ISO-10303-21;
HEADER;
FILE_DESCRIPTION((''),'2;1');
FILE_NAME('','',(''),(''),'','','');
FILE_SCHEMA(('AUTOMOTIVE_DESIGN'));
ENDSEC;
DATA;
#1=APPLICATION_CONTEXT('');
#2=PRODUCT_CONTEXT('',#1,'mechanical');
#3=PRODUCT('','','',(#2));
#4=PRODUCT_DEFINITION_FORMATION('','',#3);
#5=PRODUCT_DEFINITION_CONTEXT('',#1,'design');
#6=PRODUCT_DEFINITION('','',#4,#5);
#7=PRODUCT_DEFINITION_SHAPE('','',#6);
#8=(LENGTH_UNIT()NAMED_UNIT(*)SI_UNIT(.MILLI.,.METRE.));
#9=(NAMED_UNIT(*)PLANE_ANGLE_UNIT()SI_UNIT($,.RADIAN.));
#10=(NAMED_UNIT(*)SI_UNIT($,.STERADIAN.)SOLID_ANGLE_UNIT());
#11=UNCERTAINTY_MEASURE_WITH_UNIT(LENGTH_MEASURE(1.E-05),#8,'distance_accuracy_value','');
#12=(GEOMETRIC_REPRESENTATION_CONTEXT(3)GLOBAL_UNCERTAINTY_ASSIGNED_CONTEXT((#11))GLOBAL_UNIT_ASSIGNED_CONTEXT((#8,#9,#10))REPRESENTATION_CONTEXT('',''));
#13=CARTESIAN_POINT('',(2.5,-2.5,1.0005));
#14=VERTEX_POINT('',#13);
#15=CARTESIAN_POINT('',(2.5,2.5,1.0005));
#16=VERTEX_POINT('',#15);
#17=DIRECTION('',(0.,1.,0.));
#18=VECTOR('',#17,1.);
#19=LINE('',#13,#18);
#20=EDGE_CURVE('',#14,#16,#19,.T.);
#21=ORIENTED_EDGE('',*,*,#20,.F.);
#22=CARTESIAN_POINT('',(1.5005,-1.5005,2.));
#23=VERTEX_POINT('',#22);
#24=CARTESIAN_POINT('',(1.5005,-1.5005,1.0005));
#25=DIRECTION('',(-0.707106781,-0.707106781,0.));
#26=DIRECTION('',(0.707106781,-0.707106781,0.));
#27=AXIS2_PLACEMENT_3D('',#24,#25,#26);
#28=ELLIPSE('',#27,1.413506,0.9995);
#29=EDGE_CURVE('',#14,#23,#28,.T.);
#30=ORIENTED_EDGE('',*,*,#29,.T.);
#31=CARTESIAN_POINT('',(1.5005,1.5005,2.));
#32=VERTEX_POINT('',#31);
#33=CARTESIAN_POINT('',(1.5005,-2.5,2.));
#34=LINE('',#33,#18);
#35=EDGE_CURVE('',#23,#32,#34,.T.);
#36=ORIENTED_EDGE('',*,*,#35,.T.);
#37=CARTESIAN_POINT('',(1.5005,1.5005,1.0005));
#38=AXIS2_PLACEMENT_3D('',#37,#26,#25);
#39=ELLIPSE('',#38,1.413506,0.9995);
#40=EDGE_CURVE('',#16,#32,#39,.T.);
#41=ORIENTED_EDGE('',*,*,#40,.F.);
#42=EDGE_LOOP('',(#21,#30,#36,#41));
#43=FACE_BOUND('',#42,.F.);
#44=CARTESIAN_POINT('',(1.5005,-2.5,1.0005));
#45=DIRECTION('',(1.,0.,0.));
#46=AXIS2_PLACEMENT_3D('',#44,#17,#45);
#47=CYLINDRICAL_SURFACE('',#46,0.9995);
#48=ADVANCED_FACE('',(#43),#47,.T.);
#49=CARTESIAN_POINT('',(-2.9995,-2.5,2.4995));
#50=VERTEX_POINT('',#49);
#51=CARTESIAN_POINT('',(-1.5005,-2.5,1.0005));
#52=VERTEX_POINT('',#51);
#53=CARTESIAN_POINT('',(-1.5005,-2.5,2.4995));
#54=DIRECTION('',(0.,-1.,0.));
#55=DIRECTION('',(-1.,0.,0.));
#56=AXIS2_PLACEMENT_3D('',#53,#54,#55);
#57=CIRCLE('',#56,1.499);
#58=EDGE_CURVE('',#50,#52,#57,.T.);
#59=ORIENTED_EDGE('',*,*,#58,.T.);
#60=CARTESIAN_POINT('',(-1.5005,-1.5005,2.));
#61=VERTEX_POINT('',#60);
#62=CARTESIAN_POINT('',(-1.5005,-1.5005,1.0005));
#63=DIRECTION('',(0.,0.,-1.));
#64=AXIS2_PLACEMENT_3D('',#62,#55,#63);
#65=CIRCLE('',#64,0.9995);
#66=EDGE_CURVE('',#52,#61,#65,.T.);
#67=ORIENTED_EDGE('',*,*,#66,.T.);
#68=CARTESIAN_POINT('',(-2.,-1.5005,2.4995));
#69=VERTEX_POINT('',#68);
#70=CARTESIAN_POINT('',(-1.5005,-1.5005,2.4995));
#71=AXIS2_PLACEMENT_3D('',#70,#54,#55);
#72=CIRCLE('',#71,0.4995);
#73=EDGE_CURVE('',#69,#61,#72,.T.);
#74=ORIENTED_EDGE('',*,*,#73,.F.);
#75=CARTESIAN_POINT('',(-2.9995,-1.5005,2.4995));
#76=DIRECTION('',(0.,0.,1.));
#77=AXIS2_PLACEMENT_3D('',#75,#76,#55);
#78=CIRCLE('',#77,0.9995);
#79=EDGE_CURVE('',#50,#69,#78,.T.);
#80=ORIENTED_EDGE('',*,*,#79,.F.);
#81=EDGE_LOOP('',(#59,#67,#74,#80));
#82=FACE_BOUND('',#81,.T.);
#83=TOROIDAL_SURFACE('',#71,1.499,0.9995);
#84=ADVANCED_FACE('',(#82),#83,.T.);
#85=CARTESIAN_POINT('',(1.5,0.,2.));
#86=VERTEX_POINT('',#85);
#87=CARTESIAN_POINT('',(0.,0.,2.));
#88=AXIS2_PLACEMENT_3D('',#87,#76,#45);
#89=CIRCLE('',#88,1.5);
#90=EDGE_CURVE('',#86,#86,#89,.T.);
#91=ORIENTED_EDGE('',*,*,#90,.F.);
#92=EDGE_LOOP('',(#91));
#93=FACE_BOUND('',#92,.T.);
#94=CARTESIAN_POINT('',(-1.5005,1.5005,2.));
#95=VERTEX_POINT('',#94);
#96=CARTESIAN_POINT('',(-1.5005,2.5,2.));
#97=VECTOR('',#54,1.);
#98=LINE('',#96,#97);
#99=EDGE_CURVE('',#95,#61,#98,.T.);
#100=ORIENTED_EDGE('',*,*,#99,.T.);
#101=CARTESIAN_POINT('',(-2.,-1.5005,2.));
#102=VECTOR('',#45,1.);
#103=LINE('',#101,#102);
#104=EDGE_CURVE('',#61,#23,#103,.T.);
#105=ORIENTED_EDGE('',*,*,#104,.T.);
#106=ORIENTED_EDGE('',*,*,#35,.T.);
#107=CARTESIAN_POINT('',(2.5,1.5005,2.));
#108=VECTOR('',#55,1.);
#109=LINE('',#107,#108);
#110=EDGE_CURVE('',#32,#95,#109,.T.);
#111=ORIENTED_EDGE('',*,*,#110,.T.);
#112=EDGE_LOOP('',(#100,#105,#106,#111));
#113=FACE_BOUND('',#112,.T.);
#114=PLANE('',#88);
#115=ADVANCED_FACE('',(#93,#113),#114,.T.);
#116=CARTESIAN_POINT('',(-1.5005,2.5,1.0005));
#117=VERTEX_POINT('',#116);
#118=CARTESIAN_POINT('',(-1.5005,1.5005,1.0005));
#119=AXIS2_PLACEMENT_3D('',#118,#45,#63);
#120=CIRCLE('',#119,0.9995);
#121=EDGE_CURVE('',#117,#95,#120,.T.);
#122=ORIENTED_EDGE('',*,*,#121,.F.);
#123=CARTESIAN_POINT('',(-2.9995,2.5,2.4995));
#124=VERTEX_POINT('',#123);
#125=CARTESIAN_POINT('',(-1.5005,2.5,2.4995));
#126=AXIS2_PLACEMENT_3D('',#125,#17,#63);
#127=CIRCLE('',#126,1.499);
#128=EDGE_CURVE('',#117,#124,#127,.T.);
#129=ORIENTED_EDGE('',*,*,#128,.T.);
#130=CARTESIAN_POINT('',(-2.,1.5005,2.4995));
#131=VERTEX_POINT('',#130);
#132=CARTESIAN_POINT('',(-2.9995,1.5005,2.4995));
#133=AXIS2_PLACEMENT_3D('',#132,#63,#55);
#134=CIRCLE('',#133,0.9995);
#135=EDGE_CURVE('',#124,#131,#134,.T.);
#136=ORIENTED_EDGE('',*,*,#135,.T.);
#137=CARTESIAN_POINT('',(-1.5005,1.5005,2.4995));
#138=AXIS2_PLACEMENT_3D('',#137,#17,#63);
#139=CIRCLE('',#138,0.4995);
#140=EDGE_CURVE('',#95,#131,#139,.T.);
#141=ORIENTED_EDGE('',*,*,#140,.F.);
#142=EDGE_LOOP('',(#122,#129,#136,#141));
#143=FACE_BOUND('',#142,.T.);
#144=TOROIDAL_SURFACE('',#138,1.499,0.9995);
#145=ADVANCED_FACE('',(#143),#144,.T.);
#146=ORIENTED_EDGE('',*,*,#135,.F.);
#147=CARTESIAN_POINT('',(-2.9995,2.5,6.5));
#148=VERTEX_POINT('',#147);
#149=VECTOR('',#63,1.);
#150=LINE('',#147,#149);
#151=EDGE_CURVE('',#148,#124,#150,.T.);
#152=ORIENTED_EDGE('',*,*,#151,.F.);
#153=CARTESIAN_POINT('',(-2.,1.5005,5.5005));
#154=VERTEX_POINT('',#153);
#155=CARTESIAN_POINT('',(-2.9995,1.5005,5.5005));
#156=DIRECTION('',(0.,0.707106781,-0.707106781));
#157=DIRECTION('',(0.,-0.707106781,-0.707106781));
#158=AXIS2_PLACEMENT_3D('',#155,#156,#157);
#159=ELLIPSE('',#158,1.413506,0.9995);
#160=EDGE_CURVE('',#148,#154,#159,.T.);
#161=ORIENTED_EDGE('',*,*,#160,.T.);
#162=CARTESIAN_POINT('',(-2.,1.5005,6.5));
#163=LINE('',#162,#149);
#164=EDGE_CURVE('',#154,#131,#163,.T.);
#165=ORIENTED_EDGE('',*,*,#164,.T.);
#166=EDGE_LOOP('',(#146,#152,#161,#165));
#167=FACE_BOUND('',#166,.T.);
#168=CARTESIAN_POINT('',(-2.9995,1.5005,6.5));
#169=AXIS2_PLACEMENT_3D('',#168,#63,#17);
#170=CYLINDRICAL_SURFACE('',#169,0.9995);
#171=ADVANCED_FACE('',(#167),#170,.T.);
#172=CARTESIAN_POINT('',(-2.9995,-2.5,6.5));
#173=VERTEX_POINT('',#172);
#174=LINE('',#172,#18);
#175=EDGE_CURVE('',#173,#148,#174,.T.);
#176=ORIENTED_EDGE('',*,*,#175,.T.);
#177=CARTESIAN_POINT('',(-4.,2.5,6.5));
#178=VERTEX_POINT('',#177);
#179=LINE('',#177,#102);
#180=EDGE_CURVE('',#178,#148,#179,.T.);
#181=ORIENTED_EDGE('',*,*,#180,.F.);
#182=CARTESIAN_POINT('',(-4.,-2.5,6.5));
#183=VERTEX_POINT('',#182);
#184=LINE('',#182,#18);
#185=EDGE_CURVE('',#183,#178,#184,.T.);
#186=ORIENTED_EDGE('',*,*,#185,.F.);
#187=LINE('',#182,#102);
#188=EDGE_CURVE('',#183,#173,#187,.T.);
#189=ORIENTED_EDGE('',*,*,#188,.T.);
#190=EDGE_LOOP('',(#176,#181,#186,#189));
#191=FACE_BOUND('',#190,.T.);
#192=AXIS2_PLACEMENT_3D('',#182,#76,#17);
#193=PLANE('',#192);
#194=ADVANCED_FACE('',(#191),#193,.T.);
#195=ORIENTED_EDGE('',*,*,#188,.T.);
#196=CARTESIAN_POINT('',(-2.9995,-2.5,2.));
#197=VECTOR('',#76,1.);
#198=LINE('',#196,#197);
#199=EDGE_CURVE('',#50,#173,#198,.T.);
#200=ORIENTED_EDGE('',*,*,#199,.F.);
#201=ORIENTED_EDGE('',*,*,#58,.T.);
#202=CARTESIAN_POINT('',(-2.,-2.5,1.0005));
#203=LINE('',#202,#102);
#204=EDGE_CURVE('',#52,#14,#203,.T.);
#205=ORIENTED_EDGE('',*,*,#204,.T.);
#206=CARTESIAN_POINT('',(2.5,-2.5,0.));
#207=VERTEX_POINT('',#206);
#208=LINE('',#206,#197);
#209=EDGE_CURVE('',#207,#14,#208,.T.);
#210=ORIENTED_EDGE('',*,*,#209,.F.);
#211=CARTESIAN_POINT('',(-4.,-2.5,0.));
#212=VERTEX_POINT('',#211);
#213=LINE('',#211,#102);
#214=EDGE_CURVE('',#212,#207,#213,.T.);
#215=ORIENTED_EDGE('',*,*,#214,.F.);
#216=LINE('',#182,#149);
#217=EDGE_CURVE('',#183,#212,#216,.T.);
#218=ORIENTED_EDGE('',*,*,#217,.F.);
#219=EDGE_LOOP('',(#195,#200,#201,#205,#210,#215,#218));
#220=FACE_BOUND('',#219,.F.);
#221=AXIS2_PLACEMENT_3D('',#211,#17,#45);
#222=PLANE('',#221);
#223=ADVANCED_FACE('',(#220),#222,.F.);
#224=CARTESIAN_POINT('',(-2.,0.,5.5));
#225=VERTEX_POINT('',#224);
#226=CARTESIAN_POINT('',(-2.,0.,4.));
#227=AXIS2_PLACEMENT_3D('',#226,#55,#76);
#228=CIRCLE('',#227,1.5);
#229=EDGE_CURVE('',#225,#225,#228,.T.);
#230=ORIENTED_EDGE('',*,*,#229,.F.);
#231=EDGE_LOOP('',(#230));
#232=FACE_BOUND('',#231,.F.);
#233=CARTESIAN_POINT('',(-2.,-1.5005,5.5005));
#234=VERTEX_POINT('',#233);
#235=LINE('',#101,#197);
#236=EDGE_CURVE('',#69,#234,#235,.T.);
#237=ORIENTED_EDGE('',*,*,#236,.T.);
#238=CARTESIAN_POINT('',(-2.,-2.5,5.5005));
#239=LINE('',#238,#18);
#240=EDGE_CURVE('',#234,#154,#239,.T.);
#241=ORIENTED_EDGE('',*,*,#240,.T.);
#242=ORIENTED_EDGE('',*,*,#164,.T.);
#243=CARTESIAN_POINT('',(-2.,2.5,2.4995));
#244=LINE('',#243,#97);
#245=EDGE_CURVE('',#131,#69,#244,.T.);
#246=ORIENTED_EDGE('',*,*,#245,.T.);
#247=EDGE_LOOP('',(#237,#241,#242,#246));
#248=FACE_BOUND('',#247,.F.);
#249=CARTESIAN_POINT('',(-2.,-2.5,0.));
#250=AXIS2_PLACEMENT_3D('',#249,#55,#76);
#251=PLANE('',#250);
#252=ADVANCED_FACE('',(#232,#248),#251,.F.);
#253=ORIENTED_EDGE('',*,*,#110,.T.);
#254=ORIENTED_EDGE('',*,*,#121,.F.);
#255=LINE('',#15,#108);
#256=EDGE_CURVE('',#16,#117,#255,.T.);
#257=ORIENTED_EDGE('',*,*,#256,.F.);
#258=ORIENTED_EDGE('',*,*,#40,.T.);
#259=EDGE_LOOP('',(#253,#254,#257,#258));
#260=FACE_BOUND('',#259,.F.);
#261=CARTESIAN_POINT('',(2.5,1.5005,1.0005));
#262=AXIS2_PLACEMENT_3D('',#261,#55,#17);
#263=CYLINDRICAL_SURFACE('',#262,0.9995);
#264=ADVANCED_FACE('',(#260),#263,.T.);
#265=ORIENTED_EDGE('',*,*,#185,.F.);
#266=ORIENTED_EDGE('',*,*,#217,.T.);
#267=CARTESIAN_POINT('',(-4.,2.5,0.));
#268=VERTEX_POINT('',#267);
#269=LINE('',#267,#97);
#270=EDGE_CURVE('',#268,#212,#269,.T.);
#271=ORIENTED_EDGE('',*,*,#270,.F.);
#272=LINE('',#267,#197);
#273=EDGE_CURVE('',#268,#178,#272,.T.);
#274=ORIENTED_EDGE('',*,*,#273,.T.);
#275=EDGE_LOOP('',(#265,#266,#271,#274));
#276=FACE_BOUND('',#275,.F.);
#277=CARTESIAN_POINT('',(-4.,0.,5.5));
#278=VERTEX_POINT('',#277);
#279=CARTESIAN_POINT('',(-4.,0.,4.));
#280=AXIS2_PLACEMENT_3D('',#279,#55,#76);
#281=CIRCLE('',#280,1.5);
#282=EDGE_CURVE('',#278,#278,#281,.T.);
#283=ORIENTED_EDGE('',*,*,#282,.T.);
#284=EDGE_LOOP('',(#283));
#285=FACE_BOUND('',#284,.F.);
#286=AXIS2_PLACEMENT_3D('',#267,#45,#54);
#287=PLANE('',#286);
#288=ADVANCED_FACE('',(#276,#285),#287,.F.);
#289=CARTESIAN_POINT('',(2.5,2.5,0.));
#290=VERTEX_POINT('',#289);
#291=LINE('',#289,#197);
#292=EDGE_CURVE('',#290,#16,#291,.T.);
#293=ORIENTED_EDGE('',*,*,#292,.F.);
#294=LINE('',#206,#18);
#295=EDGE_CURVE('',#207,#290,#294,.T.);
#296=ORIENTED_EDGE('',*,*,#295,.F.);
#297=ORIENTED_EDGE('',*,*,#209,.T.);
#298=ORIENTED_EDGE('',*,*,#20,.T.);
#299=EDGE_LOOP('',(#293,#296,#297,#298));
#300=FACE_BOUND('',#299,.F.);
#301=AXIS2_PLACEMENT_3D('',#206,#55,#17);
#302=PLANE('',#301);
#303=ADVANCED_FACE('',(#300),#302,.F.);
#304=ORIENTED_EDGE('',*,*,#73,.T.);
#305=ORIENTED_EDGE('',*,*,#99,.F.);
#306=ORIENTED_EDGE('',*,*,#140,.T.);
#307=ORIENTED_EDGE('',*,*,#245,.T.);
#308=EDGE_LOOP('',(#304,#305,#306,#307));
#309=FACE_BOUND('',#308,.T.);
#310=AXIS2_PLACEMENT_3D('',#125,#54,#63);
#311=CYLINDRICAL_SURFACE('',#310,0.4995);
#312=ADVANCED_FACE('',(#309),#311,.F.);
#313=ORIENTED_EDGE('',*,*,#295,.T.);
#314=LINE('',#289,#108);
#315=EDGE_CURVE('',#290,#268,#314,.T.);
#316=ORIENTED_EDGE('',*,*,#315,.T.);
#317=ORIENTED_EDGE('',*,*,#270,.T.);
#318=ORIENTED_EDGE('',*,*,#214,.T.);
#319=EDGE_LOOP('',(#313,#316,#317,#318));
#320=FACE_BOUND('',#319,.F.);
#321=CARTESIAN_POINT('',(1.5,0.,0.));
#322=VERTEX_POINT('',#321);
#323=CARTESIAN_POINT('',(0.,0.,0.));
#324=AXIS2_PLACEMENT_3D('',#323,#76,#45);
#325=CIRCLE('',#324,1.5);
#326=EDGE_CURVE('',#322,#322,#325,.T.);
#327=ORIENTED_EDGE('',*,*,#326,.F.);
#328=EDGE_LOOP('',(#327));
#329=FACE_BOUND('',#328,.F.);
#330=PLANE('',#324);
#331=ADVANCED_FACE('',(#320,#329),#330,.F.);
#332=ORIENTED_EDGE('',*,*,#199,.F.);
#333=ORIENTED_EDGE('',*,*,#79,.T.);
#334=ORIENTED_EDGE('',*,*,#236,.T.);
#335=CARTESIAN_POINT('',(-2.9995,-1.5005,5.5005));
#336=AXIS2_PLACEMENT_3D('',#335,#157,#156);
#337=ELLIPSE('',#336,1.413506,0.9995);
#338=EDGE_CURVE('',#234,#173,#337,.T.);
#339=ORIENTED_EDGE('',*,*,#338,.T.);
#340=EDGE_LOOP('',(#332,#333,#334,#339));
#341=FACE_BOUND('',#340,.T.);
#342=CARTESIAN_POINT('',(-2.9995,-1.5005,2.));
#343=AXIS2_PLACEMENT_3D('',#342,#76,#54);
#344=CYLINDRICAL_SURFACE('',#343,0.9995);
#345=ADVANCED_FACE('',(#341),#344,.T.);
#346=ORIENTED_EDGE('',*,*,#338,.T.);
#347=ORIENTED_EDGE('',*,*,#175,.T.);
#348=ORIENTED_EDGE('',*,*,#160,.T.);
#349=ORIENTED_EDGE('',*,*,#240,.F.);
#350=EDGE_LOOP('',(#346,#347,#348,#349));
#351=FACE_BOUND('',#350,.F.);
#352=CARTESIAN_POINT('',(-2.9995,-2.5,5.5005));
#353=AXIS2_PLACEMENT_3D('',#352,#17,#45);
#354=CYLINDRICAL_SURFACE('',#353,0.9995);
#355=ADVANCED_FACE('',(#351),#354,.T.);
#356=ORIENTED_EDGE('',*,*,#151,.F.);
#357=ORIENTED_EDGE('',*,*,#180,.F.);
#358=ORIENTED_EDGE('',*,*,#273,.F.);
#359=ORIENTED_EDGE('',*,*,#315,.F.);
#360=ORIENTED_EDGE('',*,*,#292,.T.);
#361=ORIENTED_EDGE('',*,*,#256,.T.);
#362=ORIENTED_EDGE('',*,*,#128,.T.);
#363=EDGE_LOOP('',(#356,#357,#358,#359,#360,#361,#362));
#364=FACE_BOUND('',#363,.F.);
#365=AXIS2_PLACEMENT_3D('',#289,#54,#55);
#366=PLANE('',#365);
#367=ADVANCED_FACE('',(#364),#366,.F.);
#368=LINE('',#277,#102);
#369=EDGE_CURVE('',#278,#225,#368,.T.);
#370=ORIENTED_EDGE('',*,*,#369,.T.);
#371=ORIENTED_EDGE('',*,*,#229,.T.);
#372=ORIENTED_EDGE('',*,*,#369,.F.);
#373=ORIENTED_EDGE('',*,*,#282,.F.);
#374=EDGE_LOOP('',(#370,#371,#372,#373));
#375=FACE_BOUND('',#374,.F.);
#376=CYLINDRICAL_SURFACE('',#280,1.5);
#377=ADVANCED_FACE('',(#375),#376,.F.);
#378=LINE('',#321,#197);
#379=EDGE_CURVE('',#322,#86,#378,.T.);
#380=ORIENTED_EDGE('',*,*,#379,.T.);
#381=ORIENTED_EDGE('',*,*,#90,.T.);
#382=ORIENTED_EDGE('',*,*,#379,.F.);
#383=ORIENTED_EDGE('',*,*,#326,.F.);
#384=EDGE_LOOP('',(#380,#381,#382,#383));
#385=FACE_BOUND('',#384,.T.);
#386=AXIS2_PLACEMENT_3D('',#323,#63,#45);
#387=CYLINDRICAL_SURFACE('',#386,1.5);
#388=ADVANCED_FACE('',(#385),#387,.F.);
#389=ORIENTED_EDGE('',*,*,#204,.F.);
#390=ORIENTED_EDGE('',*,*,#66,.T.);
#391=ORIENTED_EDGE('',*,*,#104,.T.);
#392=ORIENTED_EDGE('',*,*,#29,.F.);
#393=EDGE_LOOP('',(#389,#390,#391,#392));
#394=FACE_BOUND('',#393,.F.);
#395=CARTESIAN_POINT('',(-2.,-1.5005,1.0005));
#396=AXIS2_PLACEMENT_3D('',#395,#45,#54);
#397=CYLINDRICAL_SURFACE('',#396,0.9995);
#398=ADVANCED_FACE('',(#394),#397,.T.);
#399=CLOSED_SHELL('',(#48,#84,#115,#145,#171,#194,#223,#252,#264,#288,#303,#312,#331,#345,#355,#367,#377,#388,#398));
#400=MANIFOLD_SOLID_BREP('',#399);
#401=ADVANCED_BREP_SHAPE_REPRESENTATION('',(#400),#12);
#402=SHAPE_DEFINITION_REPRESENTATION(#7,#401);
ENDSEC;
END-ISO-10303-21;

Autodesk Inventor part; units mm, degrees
ref_plane "YZ Plane" through (0, 0, 0) normal (1, 0, 0) x (0, 1, 0)
ref_plane "XZ Plane" through (0, 0, 0) normal (0, 1, 0) x (-1, 0, 0)
ref_plane "XY Plane" through (0, 0, 0) normal (0, 0, 1) x (1, 0, 0)
sketch "Sketch1" plane through (0, 0, 0) normal (0, 0, 1) x (1, 0, 0)
  circle A0 centre (0, 0) radius 1.5
  line L0 (2.5, 2.5) -> (-4, 2.5)
  line L1 (-4, 2.5) -> (-4, -2.5)
  line L2 (-4, -2.5) -> (2.5, -2.5)
  line L3 (2.5, -2.5) -> (2.5, 2.5)
  dimension "d0" = 3
  dimension "d1" = 1
  dimension "d2" = 1
  dimension "d3" = 1
  dimension "d4" = 2.5
extrude "Extrusion1" add sketch "Sketch1" along normal blind 2
sketch "Sketch2" plane through (-4, -2.5, 0) normal (-1, 0, 0) x (0, 0, 1)
  line L0 (0, 0) -> (2, 0) projected
  line L1 (0, 0) -> (6.5, 0)
  line L2 (6.5, 0) -> (6.5, 5)
  line L3 (6.5, 5) -> (0, 5)
  line L4 (0, 5) -> (0, 0)
  circle A0 centre (4, 2.5) radius 1.5
  point P0 (0, 2.5)
  dimension "d7" = 3
  dimension "d8" = 2.5
  dimension "d9" = 1
  dimension "d10" = 1
  dimension "d11" = 1
extrude "Extrusion2" add sketch "Sketch2" against normal blind 2
fillet "Fillet2" radius 0.5 1 edges at (-2, 0, 2)
fillet "Fillet2" radius 1 6 edges at (0.25, 2.5, 2) (-2, 2.5, 4.25) (-2, 0, 6.5) (-2, -2.5, 4.25) (0.25, -2.5, 2) (2.5, 0, 2)
properties part number "draat tap stukje 1"
